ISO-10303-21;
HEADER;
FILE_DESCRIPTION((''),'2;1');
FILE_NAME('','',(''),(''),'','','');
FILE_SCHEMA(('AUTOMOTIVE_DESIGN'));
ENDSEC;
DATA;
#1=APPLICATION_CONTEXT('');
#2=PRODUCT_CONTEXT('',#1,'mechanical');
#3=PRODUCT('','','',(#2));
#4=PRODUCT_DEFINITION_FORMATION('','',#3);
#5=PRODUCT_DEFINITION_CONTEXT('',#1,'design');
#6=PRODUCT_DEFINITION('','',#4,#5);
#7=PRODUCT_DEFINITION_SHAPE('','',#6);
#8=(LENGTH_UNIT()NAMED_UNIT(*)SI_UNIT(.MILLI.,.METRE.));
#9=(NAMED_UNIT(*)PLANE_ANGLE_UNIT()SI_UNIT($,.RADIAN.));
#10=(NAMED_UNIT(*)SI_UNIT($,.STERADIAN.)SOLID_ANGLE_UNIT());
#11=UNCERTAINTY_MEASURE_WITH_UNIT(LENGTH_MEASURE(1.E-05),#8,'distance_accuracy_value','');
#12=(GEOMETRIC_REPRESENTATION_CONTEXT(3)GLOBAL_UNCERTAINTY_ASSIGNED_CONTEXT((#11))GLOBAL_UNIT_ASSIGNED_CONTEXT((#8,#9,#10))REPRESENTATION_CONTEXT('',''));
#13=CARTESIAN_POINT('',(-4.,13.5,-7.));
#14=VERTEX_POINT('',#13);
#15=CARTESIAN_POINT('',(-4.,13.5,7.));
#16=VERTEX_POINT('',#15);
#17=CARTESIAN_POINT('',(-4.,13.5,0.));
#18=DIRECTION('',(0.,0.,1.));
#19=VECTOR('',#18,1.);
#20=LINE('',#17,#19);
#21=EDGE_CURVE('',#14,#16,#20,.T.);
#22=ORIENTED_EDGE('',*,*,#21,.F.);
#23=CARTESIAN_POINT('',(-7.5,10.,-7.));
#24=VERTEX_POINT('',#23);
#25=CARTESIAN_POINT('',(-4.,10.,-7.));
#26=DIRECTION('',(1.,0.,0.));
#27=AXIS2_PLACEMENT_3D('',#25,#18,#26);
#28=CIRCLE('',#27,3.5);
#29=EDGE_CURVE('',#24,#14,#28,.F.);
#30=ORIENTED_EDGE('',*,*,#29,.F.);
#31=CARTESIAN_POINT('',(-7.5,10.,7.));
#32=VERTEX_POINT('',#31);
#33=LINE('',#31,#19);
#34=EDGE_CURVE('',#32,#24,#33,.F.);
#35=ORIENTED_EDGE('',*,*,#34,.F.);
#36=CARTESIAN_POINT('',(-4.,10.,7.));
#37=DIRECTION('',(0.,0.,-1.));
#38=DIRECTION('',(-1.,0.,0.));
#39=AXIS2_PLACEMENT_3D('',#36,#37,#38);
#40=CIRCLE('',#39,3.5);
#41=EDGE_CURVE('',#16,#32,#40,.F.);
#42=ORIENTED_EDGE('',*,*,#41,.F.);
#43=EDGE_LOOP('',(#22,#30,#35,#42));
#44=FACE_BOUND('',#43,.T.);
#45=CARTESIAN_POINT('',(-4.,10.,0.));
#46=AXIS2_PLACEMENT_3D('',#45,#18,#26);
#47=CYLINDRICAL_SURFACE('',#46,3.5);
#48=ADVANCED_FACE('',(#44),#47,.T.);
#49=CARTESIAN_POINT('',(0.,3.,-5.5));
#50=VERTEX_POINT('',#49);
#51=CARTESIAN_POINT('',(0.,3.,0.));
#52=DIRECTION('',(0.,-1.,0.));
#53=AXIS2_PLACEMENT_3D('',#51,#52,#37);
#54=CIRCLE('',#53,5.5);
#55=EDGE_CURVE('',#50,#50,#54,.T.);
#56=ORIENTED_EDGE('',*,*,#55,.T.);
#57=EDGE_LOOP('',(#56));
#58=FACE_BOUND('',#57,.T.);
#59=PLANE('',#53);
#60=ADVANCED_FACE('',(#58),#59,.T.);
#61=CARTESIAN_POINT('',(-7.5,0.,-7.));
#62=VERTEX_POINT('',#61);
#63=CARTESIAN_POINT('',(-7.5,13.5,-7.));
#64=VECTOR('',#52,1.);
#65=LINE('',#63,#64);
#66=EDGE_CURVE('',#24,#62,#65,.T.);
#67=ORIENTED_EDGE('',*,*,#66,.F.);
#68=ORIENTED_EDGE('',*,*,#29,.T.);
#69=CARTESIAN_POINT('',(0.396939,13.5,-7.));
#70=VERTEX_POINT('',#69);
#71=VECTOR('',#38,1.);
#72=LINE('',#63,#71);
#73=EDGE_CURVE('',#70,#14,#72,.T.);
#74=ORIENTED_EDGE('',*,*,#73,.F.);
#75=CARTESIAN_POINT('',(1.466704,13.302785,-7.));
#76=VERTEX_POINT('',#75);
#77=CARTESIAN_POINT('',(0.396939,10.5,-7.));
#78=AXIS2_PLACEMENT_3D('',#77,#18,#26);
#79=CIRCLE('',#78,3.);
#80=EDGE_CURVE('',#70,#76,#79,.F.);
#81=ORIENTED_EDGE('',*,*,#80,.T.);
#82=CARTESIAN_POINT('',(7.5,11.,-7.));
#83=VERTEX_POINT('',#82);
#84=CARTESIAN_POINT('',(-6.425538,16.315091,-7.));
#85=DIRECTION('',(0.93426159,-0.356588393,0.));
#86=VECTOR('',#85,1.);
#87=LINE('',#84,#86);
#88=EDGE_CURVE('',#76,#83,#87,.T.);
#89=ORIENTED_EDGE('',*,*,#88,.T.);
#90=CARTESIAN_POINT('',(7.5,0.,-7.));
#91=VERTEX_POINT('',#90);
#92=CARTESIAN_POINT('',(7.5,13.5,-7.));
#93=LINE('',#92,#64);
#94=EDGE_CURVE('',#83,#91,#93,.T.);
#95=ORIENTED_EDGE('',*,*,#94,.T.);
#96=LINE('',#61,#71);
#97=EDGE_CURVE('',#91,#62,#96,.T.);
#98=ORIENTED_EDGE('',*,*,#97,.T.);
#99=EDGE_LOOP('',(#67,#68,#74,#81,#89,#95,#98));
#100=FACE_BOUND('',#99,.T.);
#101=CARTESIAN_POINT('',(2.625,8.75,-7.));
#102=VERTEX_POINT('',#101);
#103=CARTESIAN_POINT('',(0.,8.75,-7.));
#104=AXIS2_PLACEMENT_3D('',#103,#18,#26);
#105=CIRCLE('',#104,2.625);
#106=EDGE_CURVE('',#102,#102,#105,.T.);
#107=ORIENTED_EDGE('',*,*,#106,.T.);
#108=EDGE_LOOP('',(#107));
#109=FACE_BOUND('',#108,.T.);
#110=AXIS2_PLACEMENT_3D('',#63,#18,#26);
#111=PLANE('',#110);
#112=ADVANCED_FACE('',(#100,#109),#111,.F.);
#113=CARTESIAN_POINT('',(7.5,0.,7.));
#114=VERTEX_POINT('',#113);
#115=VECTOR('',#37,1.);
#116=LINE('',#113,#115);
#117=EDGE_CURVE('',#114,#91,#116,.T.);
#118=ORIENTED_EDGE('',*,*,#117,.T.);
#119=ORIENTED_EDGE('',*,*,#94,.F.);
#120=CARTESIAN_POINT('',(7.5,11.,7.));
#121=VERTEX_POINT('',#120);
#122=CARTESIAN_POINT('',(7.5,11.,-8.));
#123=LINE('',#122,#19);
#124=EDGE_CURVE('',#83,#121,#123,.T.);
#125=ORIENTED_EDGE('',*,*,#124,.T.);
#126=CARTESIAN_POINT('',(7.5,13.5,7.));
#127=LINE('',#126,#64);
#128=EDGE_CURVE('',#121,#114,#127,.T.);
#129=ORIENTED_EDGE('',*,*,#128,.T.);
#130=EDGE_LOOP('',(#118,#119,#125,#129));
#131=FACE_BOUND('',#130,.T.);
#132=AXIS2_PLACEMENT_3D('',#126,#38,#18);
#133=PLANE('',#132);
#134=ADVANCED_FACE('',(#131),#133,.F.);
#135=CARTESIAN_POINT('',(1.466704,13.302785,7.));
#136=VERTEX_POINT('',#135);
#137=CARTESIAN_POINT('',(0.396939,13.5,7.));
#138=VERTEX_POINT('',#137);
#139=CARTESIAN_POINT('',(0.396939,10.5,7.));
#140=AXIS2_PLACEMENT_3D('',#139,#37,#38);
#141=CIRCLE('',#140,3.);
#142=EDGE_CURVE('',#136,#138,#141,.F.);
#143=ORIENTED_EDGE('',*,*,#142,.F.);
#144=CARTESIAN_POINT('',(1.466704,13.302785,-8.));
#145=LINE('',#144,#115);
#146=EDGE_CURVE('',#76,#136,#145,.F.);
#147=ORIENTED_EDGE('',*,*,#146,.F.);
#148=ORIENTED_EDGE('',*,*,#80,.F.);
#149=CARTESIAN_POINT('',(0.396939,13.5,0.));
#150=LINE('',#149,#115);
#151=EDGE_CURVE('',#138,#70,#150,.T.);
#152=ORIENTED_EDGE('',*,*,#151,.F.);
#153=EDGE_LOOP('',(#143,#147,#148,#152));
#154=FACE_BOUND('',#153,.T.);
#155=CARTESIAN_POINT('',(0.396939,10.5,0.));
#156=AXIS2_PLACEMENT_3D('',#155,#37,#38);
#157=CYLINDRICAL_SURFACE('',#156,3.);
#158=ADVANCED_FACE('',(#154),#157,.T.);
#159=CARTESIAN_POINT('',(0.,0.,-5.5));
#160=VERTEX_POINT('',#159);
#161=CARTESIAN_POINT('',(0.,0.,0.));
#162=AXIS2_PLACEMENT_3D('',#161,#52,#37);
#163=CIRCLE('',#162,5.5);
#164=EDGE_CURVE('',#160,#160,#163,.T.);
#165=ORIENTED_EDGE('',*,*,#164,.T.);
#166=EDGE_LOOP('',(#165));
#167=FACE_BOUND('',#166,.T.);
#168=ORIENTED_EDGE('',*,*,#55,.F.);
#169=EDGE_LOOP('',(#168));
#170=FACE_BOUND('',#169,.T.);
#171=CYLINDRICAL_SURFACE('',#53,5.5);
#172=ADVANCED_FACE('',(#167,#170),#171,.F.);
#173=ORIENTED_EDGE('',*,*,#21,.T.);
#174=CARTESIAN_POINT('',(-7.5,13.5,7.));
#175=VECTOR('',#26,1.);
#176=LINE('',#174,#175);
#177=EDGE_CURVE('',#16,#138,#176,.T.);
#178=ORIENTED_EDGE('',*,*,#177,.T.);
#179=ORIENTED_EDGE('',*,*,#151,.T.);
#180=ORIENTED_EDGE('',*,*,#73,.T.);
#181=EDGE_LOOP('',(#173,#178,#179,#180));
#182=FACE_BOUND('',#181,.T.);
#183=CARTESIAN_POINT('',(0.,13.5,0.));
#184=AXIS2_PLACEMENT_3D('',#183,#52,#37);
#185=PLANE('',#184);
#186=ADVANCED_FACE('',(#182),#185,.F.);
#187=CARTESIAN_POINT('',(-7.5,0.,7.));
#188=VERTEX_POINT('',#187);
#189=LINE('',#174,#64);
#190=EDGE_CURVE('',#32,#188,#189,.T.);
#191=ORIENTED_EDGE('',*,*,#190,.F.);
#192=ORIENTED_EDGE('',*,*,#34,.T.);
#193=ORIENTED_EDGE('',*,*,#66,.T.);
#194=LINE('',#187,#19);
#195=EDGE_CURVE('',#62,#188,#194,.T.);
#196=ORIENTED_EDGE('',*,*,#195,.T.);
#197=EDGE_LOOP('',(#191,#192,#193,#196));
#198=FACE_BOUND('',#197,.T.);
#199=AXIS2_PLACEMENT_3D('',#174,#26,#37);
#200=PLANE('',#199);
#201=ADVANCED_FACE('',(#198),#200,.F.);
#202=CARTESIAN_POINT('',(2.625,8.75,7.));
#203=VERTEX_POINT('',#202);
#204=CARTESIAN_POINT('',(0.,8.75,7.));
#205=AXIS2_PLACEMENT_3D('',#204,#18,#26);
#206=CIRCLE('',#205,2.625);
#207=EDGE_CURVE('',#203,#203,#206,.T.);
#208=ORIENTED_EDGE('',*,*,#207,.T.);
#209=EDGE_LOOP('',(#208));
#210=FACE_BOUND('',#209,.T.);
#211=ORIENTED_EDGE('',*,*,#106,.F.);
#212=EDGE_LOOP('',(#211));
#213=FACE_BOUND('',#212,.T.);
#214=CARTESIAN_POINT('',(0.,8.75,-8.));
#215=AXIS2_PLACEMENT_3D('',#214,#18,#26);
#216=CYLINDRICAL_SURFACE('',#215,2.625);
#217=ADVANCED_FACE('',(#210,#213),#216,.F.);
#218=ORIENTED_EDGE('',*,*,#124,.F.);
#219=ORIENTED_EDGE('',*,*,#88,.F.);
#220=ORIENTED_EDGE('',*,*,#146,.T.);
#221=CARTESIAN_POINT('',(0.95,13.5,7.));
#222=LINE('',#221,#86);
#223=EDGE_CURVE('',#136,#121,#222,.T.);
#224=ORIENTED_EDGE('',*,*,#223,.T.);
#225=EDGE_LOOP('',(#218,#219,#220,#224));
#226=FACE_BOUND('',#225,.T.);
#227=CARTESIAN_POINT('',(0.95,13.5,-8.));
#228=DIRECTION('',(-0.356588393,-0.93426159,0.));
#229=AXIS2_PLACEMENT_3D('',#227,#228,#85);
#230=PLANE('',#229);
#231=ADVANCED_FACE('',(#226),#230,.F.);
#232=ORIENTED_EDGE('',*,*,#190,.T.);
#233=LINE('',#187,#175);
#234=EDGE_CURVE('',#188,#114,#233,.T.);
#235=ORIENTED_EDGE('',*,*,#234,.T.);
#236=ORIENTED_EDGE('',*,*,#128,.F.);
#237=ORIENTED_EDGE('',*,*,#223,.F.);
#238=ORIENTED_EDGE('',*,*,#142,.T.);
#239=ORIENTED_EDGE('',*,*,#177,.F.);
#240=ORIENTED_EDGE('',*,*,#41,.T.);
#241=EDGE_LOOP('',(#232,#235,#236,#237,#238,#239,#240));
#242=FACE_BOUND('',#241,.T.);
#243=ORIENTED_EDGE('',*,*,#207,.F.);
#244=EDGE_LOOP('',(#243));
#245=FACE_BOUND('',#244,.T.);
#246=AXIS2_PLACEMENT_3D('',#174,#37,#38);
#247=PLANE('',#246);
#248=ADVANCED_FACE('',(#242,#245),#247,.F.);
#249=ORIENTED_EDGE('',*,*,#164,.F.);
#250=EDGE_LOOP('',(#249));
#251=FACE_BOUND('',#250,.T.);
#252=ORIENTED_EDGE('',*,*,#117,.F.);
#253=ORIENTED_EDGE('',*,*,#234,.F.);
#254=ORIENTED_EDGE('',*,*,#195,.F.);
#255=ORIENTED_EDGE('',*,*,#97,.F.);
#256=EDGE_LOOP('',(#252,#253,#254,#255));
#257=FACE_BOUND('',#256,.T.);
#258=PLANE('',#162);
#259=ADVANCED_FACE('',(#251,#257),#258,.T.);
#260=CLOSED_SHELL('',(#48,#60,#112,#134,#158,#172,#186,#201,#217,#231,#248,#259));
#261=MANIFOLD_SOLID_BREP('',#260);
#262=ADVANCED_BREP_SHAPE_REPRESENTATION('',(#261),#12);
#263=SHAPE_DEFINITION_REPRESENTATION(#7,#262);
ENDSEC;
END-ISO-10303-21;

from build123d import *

# Parameters (mm, degrees)
SZKIC1_W                    = 15
SZKIC1_H                    = 14
DODANIE_WYCI_GNI_CIE1_DEPTH = 13.5
SZKIC2_R                    = 2.625
WYTNIJ_WYCI_GNI_CIE1_DEPTH  = 15
ZAOKR_GLENIE1_R             = 3.5
WYTNIJ_WYCI_GNI_CIE2_DEPTH  = 15
ZAOKR_GLENIE2_R             = 3
SZKIC4_R                    = 5.5
WYTNIJ_WYCI_GNI_CIE3_DEPTH  = 3


with BuildPart() as part:
    # Szkic1 → Dodanie-wyciągnięcie1 (new body)
    with BuildSketch(Plane(origin=(0, 0, 0), x_dir=(1, 0, 0), z_dir=(0, 1, 0))):
        Rectangle(SZKIC1_W, SZKIC1_H)
    extrude(amount=DODANIE_WYCI_GNI_CIE1_DEPTH)

    # Szkic2 → Wytnij-wyciągnięcie1 (cut)
    with BuildSketch(Plane.XY.offset(7)):
        with Locations((0, 8.75)):
            Circle(SZKIC2_R)
    extrude(amount=-WYTNIJ_WYCI_GNI_CIE1_DEPTH, mode=Mode.SUBTRACT)

    # Zaokrąglenie1
    zaokr_glenie1_edges = [part.edges().sort_by_distance(p)[0] for p in [
        (-7.5, 13.5, 0),
    ]]
    fillet(zaokr_glenie1_edges, radius=ZAOKR_GLENIE1_R)

    # Szkic3 → Wytnij-wyciągnięcie2 (cut)
    with BuildSketch(Plane.XY.offset(7)):
        Polygon((0.95, 13.5), (7.5, 11), (7.5, 13.5), align=None)
    extrude(amount=-WYTNIJ_WYCI_GNI_CIE2_DEPTH, mode=Mode.SUBTRACT)

    # Zaokrąglenie2
    zaokr_glenie2_edges = [part.edges().sort_by_distance(p)[0] for p in [
        (0.95, 13.5, 0),
    ]]
    fillet(zaokr_glenie2_edges, radius=ZAOKR_GLENIE2_R)

    # Szkic4 → Wytnij-wyciągnięcie3 (cut)
    with BuildSketch(Plane.XZ):
        with Locations(Location((0, 0, 0), (0, 0, 270))):
            Circle(SZKIC4_R)
    extrude(amount=-WYTNIJ_WYCI_GNI_CIE3_DEPTH, mode=Mode.SUBTRACT)


solid = part.part
